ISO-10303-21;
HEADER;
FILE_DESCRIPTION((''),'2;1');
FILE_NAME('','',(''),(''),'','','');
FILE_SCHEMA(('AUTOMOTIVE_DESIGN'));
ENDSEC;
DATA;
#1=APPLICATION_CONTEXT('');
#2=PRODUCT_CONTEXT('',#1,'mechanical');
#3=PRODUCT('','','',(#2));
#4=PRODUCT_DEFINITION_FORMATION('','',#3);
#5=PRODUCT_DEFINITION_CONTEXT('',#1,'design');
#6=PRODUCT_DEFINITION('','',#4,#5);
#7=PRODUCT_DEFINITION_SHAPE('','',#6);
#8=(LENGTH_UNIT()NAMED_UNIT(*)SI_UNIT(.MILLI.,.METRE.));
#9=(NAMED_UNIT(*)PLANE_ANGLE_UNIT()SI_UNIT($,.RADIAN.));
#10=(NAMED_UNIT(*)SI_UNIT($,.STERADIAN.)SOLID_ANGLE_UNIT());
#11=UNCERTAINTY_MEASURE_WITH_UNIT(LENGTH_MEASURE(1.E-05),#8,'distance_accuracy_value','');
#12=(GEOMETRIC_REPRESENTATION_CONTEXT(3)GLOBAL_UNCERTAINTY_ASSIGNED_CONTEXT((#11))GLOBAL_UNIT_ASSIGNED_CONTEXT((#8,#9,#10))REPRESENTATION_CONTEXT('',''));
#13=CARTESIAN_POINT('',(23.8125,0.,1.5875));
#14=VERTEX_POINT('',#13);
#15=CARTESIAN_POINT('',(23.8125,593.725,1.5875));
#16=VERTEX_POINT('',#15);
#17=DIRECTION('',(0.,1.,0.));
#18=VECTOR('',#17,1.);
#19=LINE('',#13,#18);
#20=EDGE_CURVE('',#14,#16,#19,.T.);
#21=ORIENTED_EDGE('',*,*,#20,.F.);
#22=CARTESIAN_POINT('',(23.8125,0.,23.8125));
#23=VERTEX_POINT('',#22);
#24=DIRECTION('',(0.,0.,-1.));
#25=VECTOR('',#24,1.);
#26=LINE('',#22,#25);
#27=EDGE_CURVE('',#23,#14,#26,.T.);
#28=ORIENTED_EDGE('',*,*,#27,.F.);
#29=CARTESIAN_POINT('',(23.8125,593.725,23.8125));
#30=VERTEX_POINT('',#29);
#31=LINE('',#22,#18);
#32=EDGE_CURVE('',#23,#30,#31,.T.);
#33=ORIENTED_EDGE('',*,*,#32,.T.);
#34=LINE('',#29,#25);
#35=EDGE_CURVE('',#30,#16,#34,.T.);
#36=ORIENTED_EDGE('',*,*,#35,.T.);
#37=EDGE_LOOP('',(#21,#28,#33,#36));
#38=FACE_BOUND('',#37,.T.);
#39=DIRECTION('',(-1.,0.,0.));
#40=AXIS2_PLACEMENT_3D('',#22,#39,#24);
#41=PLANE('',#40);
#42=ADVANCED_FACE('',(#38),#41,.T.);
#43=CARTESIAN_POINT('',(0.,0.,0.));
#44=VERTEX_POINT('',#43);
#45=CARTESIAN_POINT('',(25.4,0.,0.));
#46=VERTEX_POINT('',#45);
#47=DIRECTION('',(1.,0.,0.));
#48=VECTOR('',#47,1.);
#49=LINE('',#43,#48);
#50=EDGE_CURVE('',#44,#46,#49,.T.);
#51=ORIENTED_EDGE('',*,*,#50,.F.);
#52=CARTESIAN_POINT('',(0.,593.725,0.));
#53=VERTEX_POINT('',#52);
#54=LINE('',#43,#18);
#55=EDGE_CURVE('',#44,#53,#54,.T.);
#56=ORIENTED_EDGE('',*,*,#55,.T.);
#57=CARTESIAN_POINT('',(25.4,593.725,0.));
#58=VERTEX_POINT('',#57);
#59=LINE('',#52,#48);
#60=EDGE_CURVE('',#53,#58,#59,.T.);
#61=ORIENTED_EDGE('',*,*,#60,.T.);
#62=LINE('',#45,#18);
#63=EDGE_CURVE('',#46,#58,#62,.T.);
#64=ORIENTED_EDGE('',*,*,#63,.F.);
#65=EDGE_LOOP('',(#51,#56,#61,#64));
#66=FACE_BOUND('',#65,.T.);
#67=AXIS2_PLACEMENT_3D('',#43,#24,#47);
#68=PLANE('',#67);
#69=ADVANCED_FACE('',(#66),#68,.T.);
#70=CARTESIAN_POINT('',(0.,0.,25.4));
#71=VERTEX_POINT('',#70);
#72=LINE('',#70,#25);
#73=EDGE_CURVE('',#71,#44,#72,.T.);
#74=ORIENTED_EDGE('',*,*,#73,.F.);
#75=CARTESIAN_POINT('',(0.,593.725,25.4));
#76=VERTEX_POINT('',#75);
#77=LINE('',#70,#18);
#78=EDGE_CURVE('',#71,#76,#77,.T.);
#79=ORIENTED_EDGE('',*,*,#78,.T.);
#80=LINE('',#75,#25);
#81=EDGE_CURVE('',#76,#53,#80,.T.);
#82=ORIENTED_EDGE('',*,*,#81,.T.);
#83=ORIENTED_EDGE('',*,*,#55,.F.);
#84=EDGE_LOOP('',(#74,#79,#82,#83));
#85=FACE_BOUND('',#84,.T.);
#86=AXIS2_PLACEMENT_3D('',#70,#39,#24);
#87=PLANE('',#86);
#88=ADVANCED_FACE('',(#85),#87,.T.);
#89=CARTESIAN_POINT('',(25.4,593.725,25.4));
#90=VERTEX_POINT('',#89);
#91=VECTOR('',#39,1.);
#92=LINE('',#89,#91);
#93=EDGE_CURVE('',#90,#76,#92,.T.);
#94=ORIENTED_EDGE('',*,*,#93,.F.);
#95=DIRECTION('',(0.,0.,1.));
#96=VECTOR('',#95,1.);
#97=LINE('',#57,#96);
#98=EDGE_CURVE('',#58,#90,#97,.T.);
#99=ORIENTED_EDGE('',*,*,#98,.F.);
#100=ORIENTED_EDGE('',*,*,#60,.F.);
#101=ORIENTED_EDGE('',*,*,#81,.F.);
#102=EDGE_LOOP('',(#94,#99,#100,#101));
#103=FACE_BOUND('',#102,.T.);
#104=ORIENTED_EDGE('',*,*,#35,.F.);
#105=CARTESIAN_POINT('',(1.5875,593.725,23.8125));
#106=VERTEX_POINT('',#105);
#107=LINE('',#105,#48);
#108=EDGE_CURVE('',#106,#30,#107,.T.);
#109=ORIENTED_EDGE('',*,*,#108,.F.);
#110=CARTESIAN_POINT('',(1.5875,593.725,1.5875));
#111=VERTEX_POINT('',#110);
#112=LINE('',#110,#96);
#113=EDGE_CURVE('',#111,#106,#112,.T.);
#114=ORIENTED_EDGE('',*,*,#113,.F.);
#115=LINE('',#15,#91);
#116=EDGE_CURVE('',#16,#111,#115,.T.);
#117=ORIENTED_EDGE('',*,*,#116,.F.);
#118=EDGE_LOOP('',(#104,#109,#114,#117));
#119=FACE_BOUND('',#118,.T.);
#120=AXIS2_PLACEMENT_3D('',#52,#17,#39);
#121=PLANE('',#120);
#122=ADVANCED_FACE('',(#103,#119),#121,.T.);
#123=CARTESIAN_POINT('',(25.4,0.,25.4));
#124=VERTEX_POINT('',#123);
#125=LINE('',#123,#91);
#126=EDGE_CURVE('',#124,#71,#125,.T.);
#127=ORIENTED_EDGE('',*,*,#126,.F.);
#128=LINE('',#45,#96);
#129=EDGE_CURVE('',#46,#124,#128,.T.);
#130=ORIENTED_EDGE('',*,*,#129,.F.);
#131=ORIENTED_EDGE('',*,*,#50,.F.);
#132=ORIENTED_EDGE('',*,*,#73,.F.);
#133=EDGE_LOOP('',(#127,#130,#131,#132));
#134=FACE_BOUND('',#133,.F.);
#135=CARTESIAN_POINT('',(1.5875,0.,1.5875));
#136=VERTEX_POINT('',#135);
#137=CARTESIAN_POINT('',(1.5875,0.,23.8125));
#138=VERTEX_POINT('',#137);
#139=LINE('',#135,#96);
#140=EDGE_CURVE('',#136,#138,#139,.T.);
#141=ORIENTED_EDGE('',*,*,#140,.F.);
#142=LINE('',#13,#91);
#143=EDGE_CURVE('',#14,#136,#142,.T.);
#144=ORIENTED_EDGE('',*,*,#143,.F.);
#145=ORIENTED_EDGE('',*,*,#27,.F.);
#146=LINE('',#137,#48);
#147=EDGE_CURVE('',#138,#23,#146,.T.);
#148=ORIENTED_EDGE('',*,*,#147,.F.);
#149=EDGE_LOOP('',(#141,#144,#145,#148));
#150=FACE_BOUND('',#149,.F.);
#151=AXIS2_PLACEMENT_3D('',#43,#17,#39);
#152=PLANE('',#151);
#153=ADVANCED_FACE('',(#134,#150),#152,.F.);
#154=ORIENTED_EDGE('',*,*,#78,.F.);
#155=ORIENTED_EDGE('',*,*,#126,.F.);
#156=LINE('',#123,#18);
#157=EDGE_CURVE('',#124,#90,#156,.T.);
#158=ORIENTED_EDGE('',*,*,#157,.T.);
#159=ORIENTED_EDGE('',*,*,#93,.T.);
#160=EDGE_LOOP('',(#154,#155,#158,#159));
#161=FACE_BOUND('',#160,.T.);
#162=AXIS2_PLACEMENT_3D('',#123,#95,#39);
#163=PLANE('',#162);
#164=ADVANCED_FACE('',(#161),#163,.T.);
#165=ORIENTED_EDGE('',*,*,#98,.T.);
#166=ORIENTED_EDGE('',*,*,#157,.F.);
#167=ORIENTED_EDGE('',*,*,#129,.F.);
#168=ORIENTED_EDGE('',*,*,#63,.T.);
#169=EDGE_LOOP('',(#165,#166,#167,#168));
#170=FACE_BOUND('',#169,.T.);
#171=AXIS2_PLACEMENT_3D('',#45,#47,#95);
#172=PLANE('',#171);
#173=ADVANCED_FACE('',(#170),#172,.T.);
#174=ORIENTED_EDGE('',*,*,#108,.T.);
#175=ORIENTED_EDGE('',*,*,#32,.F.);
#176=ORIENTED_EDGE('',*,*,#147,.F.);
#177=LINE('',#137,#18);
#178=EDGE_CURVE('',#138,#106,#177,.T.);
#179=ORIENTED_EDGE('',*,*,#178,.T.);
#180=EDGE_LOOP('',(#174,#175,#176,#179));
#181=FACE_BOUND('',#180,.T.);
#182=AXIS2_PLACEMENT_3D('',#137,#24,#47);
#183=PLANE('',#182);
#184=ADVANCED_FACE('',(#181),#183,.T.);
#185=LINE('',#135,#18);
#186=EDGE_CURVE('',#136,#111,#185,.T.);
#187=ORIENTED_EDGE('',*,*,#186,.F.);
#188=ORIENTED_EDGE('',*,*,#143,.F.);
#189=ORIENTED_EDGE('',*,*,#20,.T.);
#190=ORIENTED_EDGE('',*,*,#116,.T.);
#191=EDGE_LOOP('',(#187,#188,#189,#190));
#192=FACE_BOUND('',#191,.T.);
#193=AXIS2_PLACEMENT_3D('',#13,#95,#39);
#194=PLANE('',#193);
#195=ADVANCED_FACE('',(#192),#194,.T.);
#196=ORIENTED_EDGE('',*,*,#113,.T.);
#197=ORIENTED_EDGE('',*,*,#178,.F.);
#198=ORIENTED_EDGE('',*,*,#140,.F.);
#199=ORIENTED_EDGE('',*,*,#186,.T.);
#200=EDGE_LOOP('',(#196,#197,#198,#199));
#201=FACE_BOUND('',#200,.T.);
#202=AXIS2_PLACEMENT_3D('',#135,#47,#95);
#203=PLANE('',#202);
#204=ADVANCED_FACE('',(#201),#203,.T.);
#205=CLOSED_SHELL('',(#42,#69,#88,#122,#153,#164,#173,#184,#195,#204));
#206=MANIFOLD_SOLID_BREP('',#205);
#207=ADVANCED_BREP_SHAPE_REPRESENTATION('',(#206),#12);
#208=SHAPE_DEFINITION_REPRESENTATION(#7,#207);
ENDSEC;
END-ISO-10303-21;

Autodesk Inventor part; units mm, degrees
ref_plane "YZ Plane" through (0, 0, 0) normal (1, 0, 0) x (0, 1, 0)
ref_plane "XZ Plane" through (0, 0, 0) normal (0, 1, 0) x (-1, 0, 0)
ref_plane "XY Plane" through (0, 0, 0) normal (0, 0, 1) x (1, 0, 0)
sketch "Sketch1" plane through (0, 0, 0) normal (0, 1, 0) x (-1, 0, 0)
  line L0 (0, 0) -> (-25.4, 0)
  line L1 (-25.4, 0) -> (-25.4, 25.4)
  line L2 (-25.4, 25.4) -> (0, 25.4)
  line L3 (0, 25.4) -> (0, 0)
  line L4 (-1.5875, 23.8125) -> (-23.8125, 23.8125)
  line L5 (-23.8125, 23.8125) -> (-23.8125, 1.5875)
  line L6 (-23.8125, 1.5875) -> (-1.5875, 1.5875)
  line L7 (-1.5875, 1.5875) -> (-1.5875, 23.8125)
  dimension "d0" = 25.4
  dimension "d2" = 25.4
  dimension "d3" = 1.5875
extrude "Extrusion1" add sketch "Sketch1" along normal blind 593.725
properties part number "Tower Corner Mount" material "Aluminum 6061"
